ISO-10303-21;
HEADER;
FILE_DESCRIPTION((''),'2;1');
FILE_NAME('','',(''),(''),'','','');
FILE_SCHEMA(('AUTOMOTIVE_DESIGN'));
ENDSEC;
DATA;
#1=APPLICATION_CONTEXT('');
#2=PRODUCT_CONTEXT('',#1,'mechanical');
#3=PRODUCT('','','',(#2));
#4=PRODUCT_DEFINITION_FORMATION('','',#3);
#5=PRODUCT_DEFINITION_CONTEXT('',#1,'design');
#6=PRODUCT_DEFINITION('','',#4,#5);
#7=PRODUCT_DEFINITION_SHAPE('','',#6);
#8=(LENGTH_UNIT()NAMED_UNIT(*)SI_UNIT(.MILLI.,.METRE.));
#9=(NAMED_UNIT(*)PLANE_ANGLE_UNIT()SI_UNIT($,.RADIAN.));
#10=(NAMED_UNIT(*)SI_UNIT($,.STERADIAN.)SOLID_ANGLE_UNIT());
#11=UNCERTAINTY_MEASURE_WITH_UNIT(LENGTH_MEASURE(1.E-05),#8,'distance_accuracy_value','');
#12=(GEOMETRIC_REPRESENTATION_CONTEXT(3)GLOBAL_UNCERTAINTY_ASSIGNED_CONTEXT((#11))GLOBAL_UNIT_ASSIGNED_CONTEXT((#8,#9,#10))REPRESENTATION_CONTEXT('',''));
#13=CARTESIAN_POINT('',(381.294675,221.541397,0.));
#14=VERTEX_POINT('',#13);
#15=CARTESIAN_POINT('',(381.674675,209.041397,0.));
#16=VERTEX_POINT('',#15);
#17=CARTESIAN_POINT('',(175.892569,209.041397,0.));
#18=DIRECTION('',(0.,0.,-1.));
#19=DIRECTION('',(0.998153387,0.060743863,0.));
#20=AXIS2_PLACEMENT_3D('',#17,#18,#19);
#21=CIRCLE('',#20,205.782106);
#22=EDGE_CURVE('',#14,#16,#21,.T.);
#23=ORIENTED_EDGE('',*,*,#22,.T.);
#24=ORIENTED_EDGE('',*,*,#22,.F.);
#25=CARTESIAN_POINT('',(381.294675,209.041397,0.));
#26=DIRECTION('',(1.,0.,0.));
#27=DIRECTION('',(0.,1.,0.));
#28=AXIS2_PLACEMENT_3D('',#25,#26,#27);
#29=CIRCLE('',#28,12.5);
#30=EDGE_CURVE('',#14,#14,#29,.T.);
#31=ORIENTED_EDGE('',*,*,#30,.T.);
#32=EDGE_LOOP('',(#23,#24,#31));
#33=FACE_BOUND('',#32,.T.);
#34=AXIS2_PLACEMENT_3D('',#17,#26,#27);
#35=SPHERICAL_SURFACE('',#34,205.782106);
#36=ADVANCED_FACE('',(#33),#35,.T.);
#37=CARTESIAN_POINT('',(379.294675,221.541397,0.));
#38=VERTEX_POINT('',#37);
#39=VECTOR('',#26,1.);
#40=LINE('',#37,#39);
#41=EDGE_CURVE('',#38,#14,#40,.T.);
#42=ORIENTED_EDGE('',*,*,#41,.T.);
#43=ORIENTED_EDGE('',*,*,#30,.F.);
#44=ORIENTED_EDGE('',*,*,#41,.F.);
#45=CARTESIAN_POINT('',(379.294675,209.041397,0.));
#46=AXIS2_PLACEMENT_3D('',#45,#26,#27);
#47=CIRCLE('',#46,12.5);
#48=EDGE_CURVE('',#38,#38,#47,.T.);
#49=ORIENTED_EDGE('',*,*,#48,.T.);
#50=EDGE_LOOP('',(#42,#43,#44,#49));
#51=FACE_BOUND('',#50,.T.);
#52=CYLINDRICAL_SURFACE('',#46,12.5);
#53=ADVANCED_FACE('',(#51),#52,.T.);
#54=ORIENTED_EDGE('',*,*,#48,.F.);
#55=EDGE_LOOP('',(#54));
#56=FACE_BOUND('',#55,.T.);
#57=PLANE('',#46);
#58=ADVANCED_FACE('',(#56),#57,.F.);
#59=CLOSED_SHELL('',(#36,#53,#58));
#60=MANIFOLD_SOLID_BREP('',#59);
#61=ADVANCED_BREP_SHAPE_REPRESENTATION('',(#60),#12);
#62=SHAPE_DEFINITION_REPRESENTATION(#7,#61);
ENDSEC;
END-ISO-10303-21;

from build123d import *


with BuildPart() as part:
    # 草图1 → 旋转1 (revolve)
    with BuildSketch(Plane.XY):
        with BuildLine():
            Line((379.29467545, 209.041396646), (379.29467545, 221.541396646))
            Line((379.29467545, 221.541396646), (381.29467545, 221.541396646))
            ThreePointArc((381.29467545, 221.541396646), (381.579653511, 215.294283979), (381.67467545, 209.041396646))
            Line((381.67467545, 209.041396646), (379.29467545, 209.041396646))
        make_face()
    revolve(axis=Axis((376.929059547, 209.041396646, 0), (1, 0, 0)))


solid = part.part
